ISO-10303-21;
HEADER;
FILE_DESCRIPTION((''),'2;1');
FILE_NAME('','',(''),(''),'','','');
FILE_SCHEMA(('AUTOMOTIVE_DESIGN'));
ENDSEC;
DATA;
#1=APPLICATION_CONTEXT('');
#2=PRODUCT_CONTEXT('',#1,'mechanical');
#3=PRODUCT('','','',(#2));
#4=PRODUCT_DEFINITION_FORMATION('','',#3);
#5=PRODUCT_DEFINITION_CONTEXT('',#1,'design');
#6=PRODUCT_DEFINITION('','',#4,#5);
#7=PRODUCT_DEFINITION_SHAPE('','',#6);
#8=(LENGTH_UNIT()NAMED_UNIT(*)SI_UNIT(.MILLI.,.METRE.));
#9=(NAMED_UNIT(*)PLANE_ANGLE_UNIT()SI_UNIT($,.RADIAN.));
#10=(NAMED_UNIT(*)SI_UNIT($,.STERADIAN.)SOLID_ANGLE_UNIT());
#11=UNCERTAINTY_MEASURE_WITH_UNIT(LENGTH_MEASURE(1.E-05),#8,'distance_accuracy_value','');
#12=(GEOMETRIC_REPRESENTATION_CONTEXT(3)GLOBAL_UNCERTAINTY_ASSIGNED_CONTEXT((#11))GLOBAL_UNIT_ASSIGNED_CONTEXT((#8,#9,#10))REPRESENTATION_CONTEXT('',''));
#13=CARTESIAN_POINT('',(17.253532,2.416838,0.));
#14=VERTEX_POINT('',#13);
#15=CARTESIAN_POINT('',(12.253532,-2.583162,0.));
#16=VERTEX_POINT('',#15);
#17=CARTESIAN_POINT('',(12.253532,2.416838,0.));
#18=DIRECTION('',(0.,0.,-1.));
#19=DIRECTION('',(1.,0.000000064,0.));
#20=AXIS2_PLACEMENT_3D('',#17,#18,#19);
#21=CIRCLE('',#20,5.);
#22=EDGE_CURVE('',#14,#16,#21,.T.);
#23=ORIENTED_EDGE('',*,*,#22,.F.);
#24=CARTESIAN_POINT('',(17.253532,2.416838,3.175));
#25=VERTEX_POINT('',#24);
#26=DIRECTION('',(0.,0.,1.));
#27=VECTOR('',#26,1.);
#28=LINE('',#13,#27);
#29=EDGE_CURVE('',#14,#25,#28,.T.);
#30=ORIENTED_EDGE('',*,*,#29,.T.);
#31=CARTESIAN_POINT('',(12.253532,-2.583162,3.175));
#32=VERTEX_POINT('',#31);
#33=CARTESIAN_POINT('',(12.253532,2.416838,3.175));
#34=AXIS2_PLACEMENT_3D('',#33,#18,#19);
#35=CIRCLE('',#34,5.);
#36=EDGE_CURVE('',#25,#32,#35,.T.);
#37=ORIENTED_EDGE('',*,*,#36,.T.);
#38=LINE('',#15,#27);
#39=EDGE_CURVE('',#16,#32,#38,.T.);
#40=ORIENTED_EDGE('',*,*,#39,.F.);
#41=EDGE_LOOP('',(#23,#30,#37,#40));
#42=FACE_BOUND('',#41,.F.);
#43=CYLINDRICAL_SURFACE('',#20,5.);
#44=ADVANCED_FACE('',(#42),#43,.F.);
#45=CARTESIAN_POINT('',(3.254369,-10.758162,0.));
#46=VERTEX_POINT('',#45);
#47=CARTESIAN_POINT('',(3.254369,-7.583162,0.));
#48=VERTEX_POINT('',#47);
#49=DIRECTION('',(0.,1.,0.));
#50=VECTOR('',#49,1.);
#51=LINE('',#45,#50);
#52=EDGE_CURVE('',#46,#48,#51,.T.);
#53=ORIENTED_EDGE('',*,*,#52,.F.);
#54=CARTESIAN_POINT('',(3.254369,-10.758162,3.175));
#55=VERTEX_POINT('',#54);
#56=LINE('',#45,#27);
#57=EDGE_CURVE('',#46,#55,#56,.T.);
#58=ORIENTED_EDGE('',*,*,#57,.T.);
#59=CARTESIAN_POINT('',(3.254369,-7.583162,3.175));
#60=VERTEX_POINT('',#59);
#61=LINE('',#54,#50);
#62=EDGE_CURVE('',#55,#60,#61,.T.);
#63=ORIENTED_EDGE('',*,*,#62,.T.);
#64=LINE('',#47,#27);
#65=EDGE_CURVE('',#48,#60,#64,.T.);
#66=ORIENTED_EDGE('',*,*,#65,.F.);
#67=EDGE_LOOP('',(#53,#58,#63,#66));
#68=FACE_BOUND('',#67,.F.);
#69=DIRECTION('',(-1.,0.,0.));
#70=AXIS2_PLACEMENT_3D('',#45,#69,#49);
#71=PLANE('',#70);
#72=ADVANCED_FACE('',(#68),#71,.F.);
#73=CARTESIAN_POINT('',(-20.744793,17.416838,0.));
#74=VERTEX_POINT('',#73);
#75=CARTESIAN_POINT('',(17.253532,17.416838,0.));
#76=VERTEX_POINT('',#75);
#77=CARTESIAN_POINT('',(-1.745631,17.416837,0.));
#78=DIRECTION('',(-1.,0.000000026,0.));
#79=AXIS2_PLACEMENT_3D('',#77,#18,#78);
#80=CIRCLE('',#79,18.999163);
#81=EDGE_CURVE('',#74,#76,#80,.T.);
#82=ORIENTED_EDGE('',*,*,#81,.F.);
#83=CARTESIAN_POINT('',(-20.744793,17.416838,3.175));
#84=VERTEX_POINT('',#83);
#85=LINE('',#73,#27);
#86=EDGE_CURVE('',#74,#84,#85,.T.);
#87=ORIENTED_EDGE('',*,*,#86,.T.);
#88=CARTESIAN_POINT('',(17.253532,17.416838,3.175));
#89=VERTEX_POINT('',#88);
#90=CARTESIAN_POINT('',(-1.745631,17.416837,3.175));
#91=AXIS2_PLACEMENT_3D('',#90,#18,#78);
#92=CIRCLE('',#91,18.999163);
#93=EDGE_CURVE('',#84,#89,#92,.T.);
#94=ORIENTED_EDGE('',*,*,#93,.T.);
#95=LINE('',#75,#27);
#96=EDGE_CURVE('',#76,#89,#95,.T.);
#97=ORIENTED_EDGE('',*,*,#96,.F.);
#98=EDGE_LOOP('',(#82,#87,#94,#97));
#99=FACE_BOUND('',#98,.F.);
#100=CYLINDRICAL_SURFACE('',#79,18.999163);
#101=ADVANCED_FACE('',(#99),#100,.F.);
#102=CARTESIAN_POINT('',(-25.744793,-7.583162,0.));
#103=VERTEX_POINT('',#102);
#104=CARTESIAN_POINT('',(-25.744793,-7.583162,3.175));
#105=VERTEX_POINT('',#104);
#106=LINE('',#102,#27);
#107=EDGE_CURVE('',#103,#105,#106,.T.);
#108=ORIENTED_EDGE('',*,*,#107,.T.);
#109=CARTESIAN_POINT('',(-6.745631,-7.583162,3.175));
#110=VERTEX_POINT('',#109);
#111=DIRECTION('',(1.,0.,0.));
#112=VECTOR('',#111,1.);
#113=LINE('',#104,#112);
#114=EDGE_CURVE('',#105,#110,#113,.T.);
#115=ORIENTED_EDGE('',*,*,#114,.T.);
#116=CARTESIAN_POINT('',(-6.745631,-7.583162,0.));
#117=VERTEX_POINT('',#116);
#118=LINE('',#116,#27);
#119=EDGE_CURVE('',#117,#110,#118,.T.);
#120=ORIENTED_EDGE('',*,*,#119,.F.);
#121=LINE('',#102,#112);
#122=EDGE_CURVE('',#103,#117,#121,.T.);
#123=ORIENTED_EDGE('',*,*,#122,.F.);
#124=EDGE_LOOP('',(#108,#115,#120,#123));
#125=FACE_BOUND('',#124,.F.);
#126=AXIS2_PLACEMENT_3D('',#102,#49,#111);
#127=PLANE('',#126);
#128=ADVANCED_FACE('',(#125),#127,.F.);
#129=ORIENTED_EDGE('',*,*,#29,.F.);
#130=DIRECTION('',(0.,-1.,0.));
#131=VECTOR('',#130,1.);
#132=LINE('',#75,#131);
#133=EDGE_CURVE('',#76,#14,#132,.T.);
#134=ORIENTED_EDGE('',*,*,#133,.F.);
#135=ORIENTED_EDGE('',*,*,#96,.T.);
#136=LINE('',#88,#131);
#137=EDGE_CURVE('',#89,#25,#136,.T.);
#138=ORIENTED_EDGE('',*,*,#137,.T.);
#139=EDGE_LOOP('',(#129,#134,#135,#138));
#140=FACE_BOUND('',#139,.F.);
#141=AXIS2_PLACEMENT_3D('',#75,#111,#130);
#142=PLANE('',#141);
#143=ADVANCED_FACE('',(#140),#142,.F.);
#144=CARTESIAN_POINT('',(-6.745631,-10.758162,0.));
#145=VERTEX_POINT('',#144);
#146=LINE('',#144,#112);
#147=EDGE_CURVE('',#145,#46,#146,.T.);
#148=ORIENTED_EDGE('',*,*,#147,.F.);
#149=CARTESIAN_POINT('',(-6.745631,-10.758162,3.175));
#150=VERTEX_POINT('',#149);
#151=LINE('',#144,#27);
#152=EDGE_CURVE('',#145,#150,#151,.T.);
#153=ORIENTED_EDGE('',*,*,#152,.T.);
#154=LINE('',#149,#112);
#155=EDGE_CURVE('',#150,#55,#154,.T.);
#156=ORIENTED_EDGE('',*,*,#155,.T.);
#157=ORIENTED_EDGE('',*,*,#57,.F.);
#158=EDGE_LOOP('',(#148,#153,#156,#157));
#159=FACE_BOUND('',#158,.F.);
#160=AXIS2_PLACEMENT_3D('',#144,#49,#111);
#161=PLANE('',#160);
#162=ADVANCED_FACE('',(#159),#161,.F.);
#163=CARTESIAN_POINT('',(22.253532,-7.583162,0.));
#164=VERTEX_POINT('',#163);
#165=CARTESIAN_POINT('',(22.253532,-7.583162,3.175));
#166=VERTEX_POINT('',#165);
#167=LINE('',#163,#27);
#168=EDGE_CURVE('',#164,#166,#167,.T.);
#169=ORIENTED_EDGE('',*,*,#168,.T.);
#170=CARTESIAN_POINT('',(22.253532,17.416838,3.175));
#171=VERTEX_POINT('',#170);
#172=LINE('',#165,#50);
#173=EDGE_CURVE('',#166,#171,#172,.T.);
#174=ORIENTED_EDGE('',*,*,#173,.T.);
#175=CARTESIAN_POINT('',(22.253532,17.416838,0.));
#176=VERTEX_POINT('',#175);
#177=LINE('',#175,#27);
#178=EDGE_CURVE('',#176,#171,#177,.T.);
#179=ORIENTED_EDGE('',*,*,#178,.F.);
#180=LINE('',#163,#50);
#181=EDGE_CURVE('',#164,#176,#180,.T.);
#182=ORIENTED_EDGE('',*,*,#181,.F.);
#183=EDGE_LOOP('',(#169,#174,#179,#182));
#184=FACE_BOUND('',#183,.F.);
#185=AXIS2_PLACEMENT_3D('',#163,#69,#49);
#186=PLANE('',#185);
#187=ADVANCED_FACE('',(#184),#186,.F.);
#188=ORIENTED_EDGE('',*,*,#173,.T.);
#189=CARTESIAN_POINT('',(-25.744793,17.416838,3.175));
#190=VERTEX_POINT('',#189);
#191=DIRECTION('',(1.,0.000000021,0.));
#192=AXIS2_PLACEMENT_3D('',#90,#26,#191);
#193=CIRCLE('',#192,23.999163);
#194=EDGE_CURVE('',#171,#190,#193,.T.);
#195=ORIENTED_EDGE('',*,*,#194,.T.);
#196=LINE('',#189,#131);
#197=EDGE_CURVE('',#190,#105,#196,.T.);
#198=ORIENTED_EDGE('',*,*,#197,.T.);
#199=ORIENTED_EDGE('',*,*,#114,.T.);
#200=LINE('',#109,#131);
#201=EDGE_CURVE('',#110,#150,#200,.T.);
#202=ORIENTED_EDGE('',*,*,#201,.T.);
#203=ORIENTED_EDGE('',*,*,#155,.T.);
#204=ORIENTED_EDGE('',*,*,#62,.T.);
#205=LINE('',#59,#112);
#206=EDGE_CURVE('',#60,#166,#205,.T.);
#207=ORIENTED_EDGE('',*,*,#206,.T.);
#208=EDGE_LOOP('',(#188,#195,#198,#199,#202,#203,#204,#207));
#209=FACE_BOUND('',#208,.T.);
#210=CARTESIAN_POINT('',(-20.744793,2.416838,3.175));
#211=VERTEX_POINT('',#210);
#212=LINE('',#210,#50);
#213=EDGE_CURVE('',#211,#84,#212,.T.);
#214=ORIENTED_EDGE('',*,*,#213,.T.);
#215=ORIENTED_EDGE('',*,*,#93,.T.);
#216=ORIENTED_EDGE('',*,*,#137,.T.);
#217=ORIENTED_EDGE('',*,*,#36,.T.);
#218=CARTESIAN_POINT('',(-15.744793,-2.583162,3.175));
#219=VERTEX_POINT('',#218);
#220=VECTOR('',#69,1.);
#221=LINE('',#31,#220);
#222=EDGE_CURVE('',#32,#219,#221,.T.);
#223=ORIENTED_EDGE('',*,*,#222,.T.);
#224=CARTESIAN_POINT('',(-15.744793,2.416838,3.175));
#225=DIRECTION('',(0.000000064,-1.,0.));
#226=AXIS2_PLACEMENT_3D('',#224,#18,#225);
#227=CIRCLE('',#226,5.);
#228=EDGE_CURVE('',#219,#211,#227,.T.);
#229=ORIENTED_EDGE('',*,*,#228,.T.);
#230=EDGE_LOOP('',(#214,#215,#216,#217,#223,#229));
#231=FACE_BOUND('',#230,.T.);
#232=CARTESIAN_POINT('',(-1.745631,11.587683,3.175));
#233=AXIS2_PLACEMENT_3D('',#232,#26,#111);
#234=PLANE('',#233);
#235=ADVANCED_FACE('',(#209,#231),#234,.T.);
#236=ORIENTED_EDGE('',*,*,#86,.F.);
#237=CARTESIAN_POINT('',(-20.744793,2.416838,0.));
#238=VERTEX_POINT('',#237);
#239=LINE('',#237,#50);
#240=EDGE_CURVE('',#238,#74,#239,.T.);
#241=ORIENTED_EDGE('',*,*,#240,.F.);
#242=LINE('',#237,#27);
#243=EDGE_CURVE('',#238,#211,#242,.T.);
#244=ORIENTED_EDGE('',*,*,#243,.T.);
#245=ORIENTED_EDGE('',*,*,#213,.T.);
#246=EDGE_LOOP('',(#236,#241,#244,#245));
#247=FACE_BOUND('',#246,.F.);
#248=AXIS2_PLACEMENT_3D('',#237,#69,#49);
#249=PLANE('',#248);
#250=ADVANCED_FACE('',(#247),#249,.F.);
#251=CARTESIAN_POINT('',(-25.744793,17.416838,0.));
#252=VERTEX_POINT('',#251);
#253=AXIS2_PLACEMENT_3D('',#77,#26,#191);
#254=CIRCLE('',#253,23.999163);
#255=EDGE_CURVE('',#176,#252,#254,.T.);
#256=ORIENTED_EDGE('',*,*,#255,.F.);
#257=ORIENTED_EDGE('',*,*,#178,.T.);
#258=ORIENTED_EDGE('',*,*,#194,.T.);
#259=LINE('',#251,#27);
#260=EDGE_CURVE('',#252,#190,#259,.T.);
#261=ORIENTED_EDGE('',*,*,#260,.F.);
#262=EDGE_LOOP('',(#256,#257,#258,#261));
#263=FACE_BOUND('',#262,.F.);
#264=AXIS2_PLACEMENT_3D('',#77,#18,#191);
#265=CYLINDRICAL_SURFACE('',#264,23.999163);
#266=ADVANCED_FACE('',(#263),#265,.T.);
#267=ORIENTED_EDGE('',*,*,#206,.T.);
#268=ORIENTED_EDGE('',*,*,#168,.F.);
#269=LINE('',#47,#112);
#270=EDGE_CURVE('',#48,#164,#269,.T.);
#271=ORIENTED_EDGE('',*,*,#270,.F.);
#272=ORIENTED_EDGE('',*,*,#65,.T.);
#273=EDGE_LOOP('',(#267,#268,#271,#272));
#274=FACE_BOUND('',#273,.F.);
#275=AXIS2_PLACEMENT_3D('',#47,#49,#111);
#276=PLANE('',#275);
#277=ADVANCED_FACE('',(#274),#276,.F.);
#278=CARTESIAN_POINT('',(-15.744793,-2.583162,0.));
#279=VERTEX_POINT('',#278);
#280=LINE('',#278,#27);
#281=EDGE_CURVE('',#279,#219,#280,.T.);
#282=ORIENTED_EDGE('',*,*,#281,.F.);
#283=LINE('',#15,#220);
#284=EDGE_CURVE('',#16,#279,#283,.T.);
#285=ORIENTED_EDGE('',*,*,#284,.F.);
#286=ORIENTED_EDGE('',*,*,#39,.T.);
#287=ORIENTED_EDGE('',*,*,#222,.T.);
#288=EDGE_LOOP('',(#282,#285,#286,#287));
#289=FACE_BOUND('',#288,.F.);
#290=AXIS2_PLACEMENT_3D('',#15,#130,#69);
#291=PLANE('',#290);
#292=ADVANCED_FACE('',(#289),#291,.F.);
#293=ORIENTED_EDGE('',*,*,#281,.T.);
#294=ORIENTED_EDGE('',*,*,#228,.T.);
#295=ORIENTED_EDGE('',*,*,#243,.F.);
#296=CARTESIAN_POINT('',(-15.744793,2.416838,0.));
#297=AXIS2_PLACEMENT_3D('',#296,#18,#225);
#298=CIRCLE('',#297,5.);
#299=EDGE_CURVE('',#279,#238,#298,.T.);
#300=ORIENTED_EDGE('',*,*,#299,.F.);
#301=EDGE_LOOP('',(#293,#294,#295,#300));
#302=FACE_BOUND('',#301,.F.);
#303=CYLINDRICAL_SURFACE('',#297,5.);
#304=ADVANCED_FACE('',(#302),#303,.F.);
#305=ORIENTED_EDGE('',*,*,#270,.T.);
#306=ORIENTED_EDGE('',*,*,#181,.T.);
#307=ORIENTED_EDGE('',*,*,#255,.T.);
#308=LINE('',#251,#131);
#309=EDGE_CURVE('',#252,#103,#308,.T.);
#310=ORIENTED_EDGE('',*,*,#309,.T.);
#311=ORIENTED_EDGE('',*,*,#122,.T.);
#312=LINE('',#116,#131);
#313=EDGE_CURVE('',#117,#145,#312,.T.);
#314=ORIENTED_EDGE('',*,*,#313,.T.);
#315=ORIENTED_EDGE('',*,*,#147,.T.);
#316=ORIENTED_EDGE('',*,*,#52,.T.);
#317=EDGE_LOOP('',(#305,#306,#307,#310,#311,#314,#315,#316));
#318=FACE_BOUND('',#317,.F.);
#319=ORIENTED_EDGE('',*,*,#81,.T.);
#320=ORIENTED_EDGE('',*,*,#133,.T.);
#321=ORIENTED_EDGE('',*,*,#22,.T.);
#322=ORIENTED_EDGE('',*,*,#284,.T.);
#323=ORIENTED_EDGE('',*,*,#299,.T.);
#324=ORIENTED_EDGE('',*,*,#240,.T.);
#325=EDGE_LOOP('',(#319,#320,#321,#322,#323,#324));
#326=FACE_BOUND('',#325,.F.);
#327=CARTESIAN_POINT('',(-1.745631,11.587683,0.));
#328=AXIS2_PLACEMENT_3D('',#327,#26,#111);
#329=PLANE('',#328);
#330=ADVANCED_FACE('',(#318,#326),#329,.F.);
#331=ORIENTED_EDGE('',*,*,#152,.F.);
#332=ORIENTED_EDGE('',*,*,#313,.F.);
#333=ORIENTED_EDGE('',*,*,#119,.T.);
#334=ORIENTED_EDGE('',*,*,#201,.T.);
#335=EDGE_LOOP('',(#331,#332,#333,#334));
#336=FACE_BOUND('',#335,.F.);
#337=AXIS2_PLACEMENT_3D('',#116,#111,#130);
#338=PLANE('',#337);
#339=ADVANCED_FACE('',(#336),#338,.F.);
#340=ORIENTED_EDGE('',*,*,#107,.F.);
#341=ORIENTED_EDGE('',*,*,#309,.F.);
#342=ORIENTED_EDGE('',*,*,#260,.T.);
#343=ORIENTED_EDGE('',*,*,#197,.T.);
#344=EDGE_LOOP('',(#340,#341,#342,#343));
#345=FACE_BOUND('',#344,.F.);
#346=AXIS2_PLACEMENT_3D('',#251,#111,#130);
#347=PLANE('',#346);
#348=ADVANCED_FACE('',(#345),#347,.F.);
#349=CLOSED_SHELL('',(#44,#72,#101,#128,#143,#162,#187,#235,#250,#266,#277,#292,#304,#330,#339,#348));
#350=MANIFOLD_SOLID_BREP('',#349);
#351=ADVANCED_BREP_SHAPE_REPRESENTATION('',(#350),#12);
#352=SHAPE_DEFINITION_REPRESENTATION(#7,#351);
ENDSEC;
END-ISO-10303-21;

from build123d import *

# Parameters (mm, degrees)
F1_DEPTH = 3.175


with BuildPart() as f1:
    # F0 (on Top) → F1 (new body)
    with BuildSketch(Plane.XY):
        with BuildLine():
            Line((-25.744793, 17.416838), (-25.744793, -7.583162))
            Line((-25.744793, -7.583162), (-6.745631, -7.583162))
            Line((-6.745631, -7.583162), (-6.745631, -10.758162))
            Line((-6.745631, -10.758162), (3.254369, -10.758162))
            Line((3.254369, -10.758162), (3.254369, -7.583162))
            Line((3.254369, -7.583162), (22.253532, -7.583162))
            Line((22.253532, -7.583162), (22.253532, 17.416838))
            ThreePointArc((22.253532, 17.416838), (-1.745631, 41.416), (-25.744793, 17.416838))
        make_face()
        with BuildLine():
            ThreePointArc((-20.744793, 17.416838), (-1.745631, 36.416), (17.253532, 17.416838))
            Line((17.253532, 17.416838), (17.253532, 12.416838))
            Line((17.253532, 12.416838), (17.253532, 2.416838))
            ThreePointArc((17.253532, 2.416838), (15.789066, -1.118696), (12.253532, -2.583162))
            Line((12.253532, -2.583162), (3.254369, -2.583162))
            Line((3.254369, -2.583162), (-6.745631, -2.583162))
            Line((-6.745631, -2.583162), (-15.744793, -2.583162))
            ThreePointArc((-15.744793, -2.583162), (-19.280327, -1.118696), (-20.744793, 2.416838))
            Line((-20.744793, 2.416838), (-20.744793, 12.416838))
            Line((-20.744793, 12.416838), (-20.744793, 17.416838))
        make_face(mode=Mode.SUBTRACT)
    extrude(amount=F1_DEPTH)


solid = f1.part
